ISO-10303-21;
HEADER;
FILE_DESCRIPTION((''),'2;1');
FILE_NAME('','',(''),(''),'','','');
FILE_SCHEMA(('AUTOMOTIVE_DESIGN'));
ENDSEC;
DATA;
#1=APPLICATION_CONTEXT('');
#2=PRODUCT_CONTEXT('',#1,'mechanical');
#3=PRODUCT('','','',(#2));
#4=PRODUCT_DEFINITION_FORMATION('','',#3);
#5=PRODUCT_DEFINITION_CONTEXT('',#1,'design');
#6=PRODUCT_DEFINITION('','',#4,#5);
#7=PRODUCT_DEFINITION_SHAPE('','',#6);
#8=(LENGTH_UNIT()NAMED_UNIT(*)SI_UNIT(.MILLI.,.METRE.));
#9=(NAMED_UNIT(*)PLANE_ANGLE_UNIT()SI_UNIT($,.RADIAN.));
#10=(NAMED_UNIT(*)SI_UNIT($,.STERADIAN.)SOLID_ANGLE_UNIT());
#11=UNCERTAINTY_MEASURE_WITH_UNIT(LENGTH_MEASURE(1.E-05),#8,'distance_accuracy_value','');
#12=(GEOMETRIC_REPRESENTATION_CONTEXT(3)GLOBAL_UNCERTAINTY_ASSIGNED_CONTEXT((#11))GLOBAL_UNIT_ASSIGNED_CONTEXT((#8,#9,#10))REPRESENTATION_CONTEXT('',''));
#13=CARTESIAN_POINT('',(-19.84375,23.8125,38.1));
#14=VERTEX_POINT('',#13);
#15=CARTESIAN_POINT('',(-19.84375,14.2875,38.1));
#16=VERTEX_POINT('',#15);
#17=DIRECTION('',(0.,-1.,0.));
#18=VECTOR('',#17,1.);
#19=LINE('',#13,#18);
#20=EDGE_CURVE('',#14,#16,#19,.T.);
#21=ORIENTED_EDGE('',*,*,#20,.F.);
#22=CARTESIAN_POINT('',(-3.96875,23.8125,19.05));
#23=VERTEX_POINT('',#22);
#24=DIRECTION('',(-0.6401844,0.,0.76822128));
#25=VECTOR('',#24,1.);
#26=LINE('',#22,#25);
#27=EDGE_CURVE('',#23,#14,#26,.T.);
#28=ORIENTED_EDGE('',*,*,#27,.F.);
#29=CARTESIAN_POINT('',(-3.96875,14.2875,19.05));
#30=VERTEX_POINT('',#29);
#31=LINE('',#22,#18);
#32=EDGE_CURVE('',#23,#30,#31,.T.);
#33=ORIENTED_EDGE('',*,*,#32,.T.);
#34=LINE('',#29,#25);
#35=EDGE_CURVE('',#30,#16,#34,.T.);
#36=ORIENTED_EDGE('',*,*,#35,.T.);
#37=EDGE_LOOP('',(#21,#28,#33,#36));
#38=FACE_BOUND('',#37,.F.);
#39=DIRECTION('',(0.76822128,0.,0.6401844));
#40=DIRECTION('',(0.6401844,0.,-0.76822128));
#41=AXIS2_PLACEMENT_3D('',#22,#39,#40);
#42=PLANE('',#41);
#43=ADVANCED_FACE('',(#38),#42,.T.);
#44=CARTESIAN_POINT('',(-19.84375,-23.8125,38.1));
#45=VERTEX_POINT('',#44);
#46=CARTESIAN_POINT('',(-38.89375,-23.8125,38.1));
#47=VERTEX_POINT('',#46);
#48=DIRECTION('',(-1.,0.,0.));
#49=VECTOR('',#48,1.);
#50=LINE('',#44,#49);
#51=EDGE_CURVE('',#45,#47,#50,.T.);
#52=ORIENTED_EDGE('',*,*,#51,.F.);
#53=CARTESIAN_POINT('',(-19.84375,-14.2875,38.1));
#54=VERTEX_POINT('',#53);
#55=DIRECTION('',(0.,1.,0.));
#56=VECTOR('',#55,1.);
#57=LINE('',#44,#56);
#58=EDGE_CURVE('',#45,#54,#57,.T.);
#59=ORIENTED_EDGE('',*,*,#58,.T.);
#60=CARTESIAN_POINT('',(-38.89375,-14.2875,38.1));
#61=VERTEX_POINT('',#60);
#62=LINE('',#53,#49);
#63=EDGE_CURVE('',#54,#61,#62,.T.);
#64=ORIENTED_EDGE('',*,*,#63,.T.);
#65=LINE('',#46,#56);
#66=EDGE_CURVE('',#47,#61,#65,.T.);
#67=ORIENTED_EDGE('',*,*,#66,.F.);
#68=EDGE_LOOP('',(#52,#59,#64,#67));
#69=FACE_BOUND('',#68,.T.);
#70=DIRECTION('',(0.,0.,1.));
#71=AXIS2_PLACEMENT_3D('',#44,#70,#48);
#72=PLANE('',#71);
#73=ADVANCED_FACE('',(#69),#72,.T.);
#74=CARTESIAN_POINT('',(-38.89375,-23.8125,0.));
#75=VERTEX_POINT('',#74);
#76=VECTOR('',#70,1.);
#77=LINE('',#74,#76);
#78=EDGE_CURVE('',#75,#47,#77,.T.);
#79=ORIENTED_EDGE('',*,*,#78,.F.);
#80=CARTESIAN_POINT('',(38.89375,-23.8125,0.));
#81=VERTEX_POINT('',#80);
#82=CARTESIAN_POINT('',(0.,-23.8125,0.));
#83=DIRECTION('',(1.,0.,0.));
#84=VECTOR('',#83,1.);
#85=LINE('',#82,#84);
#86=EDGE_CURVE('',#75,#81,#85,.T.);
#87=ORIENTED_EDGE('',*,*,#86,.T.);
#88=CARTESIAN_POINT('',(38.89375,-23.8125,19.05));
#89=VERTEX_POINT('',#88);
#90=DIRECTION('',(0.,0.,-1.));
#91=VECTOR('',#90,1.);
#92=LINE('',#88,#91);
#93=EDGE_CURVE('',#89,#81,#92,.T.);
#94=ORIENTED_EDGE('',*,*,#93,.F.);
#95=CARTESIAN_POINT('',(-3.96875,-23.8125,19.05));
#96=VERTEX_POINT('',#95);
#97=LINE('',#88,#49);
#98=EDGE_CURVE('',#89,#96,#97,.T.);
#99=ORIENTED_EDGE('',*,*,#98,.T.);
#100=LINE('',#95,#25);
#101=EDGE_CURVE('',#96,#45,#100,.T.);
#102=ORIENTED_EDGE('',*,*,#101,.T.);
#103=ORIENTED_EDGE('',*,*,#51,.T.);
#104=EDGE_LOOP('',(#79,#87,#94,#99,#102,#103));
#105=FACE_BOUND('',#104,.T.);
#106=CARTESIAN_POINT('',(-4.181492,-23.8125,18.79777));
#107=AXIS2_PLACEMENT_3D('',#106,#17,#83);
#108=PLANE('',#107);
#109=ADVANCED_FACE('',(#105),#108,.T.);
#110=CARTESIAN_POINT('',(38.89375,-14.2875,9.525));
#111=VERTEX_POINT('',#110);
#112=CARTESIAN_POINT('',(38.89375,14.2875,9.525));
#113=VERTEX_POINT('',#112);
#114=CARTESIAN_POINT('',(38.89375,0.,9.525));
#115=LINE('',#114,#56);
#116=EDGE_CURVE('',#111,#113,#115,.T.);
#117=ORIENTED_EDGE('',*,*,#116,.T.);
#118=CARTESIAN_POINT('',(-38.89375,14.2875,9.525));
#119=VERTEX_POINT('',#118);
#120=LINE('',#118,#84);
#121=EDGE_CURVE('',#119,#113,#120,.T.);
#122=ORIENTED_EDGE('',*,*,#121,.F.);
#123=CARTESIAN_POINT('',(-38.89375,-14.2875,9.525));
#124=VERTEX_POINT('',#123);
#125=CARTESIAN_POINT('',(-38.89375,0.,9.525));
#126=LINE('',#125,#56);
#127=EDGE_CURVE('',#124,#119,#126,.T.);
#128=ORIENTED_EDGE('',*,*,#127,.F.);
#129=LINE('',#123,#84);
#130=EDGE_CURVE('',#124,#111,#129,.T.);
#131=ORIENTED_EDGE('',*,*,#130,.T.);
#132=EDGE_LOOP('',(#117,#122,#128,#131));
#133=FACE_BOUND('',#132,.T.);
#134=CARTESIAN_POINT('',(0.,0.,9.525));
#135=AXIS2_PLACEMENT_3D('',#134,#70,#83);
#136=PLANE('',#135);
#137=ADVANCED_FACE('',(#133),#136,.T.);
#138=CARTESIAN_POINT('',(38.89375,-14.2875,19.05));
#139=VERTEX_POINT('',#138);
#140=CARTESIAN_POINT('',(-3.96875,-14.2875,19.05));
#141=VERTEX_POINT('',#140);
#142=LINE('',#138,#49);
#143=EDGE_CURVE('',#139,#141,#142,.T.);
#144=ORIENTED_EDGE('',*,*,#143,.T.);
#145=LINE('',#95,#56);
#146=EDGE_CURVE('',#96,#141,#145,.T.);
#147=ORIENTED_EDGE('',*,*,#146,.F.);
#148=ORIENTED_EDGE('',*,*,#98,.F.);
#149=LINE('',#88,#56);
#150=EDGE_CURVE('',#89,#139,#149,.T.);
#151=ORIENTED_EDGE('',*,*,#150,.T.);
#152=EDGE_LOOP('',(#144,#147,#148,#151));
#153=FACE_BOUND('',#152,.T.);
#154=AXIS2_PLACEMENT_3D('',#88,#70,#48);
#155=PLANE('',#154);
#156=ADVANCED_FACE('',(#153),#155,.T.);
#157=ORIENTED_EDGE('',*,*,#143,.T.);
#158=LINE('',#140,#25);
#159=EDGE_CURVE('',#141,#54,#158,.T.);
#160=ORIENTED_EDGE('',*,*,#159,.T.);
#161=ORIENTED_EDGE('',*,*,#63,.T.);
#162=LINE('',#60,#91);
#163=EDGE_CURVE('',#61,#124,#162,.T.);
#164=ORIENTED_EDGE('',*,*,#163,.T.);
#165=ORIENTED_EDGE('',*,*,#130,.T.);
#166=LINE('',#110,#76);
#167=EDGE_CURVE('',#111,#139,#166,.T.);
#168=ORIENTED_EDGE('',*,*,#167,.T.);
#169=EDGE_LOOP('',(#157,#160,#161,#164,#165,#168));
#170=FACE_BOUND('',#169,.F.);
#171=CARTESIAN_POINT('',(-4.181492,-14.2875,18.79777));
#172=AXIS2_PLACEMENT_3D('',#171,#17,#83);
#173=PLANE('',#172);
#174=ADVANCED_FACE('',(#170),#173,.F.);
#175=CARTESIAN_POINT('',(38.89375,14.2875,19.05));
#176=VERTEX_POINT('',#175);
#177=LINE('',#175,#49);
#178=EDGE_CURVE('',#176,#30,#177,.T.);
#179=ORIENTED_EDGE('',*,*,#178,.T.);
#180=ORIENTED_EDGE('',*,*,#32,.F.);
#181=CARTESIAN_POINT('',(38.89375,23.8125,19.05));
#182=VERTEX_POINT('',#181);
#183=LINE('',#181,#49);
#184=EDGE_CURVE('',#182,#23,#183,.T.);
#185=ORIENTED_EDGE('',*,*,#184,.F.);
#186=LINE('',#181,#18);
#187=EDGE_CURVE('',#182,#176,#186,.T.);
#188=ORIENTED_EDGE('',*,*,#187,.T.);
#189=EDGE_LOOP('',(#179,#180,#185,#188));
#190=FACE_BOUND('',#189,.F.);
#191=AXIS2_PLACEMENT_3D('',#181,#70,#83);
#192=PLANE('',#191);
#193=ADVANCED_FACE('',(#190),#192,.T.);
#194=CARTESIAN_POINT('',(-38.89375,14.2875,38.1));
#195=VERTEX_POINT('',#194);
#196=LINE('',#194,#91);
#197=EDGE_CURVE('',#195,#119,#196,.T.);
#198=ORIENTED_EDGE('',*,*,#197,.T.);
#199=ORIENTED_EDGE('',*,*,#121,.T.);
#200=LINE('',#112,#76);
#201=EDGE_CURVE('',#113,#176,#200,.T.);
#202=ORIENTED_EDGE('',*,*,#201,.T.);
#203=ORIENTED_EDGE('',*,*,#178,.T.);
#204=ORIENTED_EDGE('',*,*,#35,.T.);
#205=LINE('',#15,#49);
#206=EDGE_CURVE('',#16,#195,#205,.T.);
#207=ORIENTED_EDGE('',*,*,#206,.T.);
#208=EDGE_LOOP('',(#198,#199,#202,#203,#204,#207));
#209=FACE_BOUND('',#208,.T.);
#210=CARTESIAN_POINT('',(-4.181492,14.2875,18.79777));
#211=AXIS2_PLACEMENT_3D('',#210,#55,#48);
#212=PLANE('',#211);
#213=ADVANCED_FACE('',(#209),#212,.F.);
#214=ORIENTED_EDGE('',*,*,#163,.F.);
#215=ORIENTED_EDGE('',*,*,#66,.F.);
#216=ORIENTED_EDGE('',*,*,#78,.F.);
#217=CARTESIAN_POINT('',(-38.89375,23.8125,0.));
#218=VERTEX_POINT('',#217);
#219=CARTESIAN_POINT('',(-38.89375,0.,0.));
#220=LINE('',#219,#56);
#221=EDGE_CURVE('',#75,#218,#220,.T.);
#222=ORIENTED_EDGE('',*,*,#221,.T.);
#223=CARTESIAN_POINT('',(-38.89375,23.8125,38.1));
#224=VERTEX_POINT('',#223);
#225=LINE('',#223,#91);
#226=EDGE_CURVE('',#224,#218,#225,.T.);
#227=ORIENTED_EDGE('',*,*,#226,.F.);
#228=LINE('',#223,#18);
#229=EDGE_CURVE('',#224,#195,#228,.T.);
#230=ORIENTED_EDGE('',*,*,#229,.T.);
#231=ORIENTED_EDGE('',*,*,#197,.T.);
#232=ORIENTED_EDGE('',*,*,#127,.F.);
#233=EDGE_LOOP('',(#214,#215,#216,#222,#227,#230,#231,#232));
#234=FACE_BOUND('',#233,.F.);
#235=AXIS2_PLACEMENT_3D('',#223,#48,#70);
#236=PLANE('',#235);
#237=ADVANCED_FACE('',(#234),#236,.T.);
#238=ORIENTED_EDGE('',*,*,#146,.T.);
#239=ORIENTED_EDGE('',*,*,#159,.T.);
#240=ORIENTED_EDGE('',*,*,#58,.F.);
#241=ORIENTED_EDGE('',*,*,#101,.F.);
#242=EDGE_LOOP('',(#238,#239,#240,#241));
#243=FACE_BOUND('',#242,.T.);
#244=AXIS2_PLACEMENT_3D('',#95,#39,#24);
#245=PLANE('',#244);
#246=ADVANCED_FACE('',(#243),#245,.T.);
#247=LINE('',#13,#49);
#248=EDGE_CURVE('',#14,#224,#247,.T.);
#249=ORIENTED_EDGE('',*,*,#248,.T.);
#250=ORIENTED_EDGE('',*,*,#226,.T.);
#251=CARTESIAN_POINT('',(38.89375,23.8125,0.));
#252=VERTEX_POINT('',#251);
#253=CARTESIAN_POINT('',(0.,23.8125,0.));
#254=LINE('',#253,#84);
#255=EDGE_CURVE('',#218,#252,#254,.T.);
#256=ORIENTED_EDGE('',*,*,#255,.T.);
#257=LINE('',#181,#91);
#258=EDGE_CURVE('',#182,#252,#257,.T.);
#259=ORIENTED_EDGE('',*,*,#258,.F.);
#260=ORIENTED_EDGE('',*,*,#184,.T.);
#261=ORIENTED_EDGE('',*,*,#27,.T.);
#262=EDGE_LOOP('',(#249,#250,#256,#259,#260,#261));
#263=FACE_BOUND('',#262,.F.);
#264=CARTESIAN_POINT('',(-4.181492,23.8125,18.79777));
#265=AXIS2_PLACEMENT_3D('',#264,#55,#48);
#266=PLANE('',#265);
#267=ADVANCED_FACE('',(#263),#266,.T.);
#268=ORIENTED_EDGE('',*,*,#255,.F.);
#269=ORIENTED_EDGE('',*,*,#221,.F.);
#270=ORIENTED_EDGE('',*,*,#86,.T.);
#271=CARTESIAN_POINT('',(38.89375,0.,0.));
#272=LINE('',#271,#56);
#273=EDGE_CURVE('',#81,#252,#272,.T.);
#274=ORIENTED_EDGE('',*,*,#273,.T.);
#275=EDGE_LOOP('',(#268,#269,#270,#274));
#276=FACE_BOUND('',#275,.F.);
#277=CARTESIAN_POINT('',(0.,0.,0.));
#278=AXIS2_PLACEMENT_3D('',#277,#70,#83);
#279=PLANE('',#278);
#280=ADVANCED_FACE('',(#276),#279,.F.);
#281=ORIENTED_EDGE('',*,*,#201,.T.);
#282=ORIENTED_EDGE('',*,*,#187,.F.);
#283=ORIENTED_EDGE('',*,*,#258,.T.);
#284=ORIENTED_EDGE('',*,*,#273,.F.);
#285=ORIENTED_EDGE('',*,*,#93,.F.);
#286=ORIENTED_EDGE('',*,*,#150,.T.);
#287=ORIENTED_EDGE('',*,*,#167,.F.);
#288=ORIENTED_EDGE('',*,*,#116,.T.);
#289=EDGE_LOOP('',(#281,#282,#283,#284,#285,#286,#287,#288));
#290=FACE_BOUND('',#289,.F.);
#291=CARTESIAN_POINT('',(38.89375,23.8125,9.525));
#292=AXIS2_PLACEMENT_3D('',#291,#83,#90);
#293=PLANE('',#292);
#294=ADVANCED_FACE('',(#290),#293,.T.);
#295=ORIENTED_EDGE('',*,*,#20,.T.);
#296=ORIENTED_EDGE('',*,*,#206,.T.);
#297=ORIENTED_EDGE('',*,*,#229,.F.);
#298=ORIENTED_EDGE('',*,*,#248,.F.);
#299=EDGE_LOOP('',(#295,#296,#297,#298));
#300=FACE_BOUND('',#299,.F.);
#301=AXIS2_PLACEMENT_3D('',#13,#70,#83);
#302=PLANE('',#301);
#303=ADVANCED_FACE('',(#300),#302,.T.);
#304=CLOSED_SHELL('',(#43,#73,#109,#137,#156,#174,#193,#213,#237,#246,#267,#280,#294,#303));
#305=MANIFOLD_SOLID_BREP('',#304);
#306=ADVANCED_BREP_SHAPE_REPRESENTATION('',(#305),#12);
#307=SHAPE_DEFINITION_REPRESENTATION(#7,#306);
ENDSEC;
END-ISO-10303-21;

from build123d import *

# Parameters (mm, degrees)
F0_W     = 77.7875
F0_H     = 47.625
F1_DEPTH = 9.525
F3_DEPTH = 9.525


with BuildPart() as f1:
    # F0 (on Top) → F1 (new body)
    with BuildSketch(Plane.XY):
        Rectangle(F0_W, F0_H)
    extrude(amount=F1_DEPTH)

    # F2 (on face) → F3 (join)
    with BuildSketch(Plane.XZ.offset(23.8125)):
        Polygon((-38.89375, 38.1), (-38.89375, 9.525), (38.89375, 9.525), (38.89375, 19.05), (-3.96875, 19.05), (-19.84375, 38.1), align=None)
    extrude(amount=-F3_DEPTH)

    # F4: F1 across plane


with BuildPart() as f1_1:
    add(f1.part)
    add(f1.part.mirror(Plane.XZ))


solid = f1_1.part
